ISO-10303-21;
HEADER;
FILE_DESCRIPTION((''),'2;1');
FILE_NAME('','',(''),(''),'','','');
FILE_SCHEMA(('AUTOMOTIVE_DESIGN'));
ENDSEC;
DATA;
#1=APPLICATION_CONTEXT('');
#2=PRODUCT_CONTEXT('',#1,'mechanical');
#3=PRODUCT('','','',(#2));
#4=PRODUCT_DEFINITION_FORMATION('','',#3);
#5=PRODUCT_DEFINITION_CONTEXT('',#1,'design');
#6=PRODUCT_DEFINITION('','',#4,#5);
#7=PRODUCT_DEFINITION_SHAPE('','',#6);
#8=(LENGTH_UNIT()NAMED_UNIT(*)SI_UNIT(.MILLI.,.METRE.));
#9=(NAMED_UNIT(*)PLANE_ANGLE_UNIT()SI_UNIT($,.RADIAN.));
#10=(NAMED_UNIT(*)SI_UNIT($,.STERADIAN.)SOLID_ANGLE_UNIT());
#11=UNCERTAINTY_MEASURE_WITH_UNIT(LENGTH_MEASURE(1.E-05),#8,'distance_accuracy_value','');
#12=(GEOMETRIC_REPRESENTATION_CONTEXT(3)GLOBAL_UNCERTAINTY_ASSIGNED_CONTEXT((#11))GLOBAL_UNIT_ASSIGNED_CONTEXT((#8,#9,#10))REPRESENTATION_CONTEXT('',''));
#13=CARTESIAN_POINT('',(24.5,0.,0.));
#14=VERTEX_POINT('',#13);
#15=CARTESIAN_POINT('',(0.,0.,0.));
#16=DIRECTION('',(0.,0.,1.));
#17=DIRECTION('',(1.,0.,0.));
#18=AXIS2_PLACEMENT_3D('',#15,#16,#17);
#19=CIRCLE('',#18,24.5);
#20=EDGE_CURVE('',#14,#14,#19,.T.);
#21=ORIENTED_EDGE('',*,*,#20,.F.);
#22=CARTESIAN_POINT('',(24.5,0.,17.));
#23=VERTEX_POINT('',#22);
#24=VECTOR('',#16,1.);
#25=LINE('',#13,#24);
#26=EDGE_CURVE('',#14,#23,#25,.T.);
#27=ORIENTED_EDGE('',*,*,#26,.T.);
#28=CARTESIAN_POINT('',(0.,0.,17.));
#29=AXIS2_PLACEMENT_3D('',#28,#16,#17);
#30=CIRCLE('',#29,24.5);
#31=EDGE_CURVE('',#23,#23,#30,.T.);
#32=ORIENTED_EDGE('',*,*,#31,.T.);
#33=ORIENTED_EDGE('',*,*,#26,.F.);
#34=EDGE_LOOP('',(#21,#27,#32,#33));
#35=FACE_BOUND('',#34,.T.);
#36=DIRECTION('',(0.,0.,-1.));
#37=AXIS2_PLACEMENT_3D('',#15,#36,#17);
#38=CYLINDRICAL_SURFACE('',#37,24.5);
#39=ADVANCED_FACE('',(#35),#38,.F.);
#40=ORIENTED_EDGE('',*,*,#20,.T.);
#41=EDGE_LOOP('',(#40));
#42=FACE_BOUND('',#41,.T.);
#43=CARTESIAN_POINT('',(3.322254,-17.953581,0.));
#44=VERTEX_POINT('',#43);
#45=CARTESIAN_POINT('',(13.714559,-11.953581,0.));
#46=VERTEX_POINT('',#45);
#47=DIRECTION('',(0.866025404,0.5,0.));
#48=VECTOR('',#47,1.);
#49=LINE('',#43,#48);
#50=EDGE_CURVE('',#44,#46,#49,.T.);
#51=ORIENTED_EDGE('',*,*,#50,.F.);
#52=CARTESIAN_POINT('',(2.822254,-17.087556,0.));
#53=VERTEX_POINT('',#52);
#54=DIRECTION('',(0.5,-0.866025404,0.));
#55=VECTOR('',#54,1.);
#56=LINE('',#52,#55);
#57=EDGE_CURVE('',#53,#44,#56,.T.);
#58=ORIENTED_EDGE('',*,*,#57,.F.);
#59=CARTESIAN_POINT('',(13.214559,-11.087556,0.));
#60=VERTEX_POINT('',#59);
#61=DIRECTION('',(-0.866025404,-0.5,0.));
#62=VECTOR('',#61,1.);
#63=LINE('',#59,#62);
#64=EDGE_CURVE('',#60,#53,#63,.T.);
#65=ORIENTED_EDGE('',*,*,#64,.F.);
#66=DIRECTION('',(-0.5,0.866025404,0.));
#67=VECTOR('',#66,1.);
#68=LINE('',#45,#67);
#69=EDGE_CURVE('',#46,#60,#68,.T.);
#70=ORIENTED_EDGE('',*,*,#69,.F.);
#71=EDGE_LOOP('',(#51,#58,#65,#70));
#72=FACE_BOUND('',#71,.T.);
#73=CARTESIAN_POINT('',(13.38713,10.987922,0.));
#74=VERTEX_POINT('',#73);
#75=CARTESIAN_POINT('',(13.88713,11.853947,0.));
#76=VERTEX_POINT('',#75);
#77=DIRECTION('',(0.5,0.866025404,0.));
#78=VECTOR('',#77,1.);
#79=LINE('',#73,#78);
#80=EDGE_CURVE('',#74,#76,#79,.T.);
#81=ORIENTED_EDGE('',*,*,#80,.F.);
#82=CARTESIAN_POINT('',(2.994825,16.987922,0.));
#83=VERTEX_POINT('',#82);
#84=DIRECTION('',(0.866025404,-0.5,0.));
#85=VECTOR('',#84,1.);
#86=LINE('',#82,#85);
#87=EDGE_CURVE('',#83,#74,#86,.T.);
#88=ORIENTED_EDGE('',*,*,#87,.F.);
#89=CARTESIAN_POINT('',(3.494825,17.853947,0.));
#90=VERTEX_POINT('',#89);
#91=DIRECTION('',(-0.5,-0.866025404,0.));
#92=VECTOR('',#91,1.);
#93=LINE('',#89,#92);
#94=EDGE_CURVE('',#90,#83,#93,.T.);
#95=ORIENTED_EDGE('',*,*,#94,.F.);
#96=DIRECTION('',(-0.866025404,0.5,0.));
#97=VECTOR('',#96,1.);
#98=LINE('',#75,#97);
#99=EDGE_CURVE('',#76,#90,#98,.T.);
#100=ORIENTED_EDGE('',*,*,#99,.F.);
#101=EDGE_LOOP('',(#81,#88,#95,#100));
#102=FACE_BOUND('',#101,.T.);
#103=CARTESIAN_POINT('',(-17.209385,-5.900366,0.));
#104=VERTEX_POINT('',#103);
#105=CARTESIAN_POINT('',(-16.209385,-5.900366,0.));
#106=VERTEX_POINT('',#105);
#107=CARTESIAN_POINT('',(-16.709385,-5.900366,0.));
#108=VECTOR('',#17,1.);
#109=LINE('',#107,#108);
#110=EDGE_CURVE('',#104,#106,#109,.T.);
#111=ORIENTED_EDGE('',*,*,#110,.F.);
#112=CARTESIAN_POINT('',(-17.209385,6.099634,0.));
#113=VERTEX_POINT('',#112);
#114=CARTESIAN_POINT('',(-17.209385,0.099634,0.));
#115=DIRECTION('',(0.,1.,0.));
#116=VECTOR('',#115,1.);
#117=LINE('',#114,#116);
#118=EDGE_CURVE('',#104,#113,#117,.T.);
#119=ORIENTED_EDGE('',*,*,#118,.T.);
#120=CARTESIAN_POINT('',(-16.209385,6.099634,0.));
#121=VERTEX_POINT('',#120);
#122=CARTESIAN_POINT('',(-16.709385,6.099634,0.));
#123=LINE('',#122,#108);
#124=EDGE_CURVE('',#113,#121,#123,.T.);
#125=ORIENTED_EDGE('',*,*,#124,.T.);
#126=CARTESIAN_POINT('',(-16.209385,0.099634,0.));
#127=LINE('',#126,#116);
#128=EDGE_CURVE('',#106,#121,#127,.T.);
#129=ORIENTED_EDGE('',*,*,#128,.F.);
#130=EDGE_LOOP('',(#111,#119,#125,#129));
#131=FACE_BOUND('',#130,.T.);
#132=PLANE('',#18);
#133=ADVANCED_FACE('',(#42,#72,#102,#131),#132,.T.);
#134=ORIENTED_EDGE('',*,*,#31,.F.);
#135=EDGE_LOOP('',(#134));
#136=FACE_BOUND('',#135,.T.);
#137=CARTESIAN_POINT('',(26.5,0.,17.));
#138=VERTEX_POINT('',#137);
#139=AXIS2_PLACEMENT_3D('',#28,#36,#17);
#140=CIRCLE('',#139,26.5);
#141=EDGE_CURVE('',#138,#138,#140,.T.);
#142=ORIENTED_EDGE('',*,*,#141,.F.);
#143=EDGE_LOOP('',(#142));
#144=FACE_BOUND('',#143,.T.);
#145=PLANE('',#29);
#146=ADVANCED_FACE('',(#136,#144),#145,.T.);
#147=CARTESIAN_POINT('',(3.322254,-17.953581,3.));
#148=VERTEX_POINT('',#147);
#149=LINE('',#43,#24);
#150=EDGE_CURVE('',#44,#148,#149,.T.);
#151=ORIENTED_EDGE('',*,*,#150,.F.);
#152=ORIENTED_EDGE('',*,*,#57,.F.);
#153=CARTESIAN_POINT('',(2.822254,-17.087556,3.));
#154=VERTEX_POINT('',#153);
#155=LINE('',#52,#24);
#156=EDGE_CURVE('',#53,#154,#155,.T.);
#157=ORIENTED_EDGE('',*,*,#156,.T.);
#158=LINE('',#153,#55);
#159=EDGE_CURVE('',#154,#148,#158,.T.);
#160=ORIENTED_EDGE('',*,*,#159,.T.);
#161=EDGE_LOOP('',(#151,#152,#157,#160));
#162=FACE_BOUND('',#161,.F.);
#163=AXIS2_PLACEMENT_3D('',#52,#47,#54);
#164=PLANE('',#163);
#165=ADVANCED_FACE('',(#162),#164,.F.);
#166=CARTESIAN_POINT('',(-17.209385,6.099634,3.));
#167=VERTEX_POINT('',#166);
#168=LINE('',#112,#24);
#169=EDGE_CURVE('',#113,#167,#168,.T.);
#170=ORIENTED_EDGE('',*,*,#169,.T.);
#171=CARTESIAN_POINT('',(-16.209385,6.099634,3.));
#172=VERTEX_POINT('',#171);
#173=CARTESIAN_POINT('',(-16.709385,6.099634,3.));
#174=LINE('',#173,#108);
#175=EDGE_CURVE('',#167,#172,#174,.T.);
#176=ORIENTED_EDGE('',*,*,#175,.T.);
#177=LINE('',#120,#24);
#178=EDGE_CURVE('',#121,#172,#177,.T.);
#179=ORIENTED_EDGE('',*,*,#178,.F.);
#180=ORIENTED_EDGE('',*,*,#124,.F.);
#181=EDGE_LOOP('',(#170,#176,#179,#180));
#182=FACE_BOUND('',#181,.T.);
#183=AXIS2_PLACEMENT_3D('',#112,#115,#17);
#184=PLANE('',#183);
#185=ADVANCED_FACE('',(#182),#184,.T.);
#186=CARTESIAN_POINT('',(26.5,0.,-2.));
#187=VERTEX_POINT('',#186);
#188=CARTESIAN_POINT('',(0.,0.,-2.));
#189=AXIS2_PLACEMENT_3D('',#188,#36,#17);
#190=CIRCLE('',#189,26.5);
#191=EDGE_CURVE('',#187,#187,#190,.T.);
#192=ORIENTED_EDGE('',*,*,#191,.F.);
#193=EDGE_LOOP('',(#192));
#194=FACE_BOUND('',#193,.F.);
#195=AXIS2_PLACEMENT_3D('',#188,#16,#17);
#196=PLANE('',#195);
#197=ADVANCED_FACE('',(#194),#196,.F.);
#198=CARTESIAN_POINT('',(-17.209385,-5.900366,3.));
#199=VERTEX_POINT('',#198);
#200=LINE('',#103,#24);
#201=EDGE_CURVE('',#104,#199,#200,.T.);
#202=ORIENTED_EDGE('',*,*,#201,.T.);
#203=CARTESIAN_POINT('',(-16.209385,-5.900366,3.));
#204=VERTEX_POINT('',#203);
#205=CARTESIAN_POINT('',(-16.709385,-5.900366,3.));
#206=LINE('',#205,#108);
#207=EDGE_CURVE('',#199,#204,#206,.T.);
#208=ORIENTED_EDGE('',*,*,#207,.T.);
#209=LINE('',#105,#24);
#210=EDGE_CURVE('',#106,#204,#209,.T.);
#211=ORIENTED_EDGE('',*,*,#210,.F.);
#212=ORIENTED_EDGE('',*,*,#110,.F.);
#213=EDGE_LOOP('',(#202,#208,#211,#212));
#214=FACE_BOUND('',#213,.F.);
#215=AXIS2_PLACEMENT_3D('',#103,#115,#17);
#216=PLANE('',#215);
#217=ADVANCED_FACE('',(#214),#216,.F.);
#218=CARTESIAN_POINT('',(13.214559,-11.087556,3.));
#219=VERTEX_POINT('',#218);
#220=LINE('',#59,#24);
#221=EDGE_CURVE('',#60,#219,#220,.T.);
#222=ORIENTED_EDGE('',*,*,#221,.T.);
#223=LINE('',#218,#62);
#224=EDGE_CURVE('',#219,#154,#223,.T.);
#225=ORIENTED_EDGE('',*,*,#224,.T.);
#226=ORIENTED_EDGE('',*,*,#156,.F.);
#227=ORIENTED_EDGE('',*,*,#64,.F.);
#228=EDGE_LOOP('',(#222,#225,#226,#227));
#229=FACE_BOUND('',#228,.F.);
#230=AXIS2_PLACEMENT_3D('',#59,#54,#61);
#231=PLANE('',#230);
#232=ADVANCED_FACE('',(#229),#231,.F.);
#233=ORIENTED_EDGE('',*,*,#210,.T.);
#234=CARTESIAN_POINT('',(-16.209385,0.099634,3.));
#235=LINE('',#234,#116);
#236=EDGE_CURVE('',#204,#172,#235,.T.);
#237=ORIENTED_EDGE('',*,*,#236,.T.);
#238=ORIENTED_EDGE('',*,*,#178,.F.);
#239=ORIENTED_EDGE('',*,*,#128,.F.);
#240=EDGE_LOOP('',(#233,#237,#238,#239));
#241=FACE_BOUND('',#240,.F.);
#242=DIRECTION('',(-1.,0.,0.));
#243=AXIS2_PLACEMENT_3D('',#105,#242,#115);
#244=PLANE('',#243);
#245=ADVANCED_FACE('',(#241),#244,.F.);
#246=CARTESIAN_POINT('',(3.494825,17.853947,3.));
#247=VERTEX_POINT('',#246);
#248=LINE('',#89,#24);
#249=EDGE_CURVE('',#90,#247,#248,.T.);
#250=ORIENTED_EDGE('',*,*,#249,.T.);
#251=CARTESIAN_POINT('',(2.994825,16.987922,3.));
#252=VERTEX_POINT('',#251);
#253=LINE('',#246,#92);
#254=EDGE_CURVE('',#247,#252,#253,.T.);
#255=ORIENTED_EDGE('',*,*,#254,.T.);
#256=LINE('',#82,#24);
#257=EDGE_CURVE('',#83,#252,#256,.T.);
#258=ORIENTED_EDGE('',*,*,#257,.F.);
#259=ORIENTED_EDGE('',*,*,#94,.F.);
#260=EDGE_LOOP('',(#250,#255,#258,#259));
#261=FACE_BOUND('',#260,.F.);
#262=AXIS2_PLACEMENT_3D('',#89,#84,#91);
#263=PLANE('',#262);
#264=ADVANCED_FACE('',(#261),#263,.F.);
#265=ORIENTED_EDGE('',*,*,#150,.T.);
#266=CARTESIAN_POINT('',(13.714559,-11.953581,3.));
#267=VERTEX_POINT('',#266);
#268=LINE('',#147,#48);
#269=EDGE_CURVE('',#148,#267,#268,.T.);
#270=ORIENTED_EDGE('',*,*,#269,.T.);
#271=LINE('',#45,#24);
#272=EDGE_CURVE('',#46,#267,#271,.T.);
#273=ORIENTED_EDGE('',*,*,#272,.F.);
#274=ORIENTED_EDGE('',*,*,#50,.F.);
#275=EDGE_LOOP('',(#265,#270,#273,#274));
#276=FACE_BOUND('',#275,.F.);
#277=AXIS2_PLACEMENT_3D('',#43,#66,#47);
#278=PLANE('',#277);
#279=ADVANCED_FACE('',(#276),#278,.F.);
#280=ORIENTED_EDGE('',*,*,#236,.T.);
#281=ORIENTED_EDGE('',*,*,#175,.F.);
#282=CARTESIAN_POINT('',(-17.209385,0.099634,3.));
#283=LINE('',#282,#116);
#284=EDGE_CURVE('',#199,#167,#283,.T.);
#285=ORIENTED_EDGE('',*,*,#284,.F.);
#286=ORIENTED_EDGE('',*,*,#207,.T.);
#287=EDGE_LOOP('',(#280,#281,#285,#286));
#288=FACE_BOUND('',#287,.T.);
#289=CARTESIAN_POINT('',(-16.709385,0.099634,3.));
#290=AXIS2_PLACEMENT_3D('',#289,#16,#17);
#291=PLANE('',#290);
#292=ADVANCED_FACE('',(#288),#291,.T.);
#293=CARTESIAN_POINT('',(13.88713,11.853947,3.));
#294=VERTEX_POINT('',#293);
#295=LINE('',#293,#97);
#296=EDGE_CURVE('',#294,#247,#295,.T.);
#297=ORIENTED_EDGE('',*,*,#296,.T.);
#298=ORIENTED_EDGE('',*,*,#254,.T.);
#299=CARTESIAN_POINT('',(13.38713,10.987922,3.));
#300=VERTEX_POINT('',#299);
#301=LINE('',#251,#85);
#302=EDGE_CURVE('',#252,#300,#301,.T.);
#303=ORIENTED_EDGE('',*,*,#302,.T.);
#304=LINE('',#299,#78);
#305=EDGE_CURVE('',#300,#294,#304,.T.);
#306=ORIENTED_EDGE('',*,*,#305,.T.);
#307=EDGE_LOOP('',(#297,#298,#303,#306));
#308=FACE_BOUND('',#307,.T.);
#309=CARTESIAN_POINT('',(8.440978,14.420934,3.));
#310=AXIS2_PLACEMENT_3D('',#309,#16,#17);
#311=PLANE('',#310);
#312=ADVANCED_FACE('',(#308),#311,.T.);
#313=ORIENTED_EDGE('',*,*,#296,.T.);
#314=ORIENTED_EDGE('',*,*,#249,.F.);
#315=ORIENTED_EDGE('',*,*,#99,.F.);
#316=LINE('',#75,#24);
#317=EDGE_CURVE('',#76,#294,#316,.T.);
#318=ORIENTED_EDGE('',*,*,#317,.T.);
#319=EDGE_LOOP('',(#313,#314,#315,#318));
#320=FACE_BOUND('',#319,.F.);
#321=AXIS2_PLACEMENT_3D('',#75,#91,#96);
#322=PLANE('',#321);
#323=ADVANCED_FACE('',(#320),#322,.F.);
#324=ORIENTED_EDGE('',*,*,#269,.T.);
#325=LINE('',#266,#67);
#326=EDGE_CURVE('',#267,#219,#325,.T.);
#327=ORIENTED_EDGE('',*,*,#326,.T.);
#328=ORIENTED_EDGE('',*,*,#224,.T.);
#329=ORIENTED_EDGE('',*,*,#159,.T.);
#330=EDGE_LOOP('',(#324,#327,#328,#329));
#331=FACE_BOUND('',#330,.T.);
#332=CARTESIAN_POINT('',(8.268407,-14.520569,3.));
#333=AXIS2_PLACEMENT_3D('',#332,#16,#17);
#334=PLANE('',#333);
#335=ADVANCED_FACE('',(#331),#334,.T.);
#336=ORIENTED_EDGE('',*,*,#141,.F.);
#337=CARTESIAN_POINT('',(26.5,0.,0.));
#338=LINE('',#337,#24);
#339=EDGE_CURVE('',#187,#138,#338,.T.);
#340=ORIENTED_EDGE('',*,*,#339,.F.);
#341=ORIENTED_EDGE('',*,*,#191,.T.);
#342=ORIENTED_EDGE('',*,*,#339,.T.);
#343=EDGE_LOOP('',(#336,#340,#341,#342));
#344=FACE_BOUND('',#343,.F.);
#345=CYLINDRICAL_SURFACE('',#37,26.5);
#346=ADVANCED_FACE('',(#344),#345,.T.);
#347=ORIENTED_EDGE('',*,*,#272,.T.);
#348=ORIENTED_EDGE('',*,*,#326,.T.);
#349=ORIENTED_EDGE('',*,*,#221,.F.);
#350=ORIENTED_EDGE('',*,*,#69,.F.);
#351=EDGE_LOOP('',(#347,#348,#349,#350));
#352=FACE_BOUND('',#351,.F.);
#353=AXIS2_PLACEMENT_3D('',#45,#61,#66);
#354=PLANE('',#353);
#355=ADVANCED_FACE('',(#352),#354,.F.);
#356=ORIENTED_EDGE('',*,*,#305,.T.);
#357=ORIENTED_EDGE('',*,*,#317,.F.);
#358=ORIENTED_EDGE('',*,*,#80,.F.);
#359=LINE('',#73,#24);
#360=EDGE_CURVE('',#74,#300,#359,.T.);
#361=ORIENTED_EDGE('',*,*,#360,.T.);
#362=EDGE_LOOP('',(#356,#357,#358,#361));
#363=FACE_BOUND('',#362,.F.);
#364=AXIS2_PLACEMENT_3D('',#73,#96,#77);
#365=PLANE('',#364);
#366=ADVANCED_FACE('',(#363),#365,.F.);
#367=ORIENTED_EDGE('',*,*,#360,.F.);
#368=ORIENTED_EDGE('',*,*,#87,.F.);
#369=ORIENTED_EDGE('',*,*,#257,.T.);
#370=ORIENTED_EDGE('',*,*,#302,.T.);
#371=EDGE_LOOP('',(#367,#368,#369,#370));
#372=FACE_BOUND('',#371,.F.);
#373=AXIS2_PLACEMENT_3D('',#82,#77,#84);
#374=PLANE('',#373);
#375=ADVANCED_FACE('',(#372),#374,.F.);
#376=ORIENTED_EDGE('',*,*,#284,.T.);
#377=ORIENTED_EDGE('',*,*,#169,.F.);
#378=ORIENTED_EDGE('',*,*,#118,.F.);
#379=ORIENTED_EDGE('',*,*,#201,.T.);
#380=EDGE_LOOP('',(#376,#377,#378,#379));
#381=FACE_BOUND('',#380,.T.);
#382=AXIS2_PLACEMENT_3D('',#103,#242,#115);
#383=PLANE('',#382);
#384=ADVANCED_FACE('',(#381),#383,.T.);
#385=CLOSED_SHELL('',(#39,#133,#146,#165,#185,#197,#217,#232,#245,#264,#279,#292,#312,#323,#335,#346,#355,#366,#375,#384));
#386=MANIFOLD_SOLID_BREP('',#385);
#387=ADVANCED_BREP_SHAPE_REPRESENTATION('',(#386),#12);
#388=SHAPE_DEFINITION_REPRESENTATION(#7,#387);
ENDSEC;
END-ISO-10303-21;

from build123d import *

# Parameters (mm, degrees)
F0_R     = 24.5
F1_DEPTH = 17
F2_T     = 2
F3_W     = 1
F3_H     = 12
F4_DEPTH = 3


with BuildPart() as f1:
    # F0 (on Top) → F1 (new body)
    with BuildSketch(Plane.XY):
        Circle(F0_R)
    extrude(amount=F1_DEPTH)

    # F2
    f2_openings = [f1.faces().sort_by_distance(p)[0] for p in [
        (0, 0, 17),
    ]]
    offset(amount=F2_T, openings=f2_openings, kind=Kind.INTERSECTION)

    # F3 (on face) → F4 (join)
    with BuildSketch(Plane.XY):
        with Locations((-16.7093845084, 0.0996340905)):
            Rectangle(F3_W, F3_H)
        Polygon((3.322254178, -17.9535812131), (13.7145590234, -11.9535812131), (13.2145590234, -11.0875558093), (2.822254178, -17.0875558093), align=None)
        Polygon((13.8871303304, 11.8539471225), (3.494825485, 17.8539471225), (2.994825485, 16.9879217187), (13.3871303304, 10.9879217187), align=None)
    extrude(amount=F4_DEPTH)


solid = f1.part
